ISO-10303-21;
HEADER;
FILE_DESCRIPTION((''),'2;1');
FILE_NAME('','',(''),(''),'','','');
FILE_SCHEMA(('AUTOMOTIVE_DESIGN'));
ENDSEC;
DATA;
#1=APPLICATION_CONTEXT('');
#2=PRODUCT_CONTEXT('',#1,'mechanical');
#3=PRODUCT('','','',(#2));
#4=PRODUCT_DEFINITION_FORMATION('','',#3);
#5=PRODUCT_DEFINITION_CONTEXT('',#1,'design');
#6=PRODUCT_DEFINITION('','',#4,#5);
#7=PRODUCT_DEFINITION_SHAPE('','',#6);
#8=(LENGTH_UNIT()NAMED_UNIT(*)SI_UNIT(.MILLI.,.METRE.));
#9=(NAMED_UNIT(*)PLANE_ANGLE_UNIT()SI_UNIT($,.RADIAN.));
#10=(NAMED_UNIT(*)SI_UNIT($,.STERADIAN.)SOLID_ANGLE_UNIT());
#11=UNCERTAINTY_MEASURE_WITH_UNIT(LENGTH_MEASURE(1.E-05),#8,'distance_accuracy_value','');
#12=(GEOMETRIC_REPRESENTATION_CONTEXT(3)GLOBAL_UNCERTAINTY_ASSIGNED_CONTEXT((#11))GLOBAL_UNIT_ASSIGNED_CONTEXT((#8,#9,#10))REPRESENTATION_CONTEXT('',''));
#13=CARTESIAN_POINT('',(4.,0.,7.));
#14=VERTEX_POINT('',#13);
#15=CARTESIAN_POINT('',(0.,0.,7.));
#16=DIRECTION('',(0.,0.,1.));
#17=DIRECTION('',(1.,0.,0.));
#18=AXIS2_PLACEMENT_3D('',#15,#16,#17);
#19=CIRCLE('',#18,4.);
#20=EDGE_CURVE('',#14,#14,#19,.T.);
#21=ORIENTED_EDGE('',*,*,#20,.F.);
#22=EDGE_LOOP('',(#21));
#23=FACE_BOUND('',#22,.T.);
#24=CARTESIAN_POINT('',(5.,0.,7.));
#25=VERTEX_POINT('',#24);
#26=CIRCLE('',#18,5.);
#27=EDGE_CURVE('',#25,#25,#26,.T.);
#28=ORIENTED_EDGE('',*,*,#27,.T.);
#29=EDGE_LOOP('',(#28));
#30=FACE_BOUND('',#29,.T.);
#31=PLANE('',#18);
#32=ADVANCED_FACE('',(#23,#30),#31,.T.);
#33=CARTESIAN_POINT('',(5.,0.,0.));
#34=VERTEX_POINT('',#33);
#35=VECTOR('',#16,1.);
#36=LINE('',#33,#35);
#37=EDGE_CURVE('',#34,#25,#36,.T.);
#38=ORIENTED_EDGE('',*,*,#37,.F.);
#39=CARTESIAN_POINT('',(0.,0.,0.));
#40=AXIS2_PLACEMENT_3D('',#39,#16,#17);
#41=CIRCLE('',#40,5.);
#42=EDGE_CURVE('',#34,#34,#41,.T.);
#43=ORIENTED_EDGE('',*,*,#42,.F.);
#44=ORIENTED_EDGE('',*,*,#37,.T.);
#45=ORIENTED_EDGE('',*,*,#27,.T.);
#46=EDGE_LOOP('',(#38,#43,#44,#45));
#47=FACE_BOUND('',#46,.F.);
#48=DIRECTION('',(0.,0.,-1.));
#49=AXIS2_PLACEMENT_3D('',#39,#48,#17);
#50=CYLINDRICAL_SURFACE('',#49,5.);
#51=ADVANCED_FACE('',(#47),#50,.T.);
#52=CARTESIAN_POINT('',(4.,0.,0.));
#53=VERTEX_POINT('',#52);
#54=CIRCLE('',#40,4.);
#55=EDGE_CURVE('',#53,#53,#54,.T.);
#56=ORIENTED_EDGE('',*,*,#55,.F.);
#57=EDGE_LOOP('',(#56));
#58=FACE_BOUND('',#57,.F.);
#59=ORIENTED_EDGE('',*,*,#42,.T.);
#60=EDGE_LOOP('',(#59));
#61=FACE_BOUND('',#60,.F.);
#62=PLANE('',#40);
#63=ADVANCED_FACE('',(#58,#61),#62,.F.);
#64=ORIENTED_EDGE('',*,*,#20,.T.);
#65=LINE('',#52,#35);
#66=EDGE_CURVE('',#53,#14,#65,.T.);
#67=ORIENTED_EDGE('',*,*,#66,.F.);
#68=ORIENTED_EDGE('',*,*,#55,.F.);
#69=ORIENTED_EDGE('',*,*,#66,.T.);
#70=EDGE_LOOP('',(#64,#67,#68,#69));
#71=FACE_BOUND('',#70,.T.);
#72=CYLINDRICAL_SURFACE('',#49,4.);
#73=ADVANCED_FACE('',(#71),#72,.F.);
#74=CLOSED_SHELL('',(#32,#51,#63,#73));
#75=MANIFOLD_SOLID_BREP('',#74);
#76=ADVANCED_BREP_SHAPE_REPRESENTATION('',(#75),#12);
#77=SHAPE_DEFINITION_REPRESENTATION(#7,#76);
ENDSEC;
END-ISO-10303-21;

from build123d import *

# Parameters (mm, degrees)
SKETCH_R   = 5
SKETCH_R_2 = 4
PAD_DEPTH  = 7


with BuildPart() as part:
    # Sketch → Pad (new body)
    with BuildSketch(Plane.XY):
        Circle(SKETCH_R)
        Circle(SKETCH_R_2, mode=Mode.SUBTRACT)
    extrude(amount=PAD_DEPTH)


solid = part.part
